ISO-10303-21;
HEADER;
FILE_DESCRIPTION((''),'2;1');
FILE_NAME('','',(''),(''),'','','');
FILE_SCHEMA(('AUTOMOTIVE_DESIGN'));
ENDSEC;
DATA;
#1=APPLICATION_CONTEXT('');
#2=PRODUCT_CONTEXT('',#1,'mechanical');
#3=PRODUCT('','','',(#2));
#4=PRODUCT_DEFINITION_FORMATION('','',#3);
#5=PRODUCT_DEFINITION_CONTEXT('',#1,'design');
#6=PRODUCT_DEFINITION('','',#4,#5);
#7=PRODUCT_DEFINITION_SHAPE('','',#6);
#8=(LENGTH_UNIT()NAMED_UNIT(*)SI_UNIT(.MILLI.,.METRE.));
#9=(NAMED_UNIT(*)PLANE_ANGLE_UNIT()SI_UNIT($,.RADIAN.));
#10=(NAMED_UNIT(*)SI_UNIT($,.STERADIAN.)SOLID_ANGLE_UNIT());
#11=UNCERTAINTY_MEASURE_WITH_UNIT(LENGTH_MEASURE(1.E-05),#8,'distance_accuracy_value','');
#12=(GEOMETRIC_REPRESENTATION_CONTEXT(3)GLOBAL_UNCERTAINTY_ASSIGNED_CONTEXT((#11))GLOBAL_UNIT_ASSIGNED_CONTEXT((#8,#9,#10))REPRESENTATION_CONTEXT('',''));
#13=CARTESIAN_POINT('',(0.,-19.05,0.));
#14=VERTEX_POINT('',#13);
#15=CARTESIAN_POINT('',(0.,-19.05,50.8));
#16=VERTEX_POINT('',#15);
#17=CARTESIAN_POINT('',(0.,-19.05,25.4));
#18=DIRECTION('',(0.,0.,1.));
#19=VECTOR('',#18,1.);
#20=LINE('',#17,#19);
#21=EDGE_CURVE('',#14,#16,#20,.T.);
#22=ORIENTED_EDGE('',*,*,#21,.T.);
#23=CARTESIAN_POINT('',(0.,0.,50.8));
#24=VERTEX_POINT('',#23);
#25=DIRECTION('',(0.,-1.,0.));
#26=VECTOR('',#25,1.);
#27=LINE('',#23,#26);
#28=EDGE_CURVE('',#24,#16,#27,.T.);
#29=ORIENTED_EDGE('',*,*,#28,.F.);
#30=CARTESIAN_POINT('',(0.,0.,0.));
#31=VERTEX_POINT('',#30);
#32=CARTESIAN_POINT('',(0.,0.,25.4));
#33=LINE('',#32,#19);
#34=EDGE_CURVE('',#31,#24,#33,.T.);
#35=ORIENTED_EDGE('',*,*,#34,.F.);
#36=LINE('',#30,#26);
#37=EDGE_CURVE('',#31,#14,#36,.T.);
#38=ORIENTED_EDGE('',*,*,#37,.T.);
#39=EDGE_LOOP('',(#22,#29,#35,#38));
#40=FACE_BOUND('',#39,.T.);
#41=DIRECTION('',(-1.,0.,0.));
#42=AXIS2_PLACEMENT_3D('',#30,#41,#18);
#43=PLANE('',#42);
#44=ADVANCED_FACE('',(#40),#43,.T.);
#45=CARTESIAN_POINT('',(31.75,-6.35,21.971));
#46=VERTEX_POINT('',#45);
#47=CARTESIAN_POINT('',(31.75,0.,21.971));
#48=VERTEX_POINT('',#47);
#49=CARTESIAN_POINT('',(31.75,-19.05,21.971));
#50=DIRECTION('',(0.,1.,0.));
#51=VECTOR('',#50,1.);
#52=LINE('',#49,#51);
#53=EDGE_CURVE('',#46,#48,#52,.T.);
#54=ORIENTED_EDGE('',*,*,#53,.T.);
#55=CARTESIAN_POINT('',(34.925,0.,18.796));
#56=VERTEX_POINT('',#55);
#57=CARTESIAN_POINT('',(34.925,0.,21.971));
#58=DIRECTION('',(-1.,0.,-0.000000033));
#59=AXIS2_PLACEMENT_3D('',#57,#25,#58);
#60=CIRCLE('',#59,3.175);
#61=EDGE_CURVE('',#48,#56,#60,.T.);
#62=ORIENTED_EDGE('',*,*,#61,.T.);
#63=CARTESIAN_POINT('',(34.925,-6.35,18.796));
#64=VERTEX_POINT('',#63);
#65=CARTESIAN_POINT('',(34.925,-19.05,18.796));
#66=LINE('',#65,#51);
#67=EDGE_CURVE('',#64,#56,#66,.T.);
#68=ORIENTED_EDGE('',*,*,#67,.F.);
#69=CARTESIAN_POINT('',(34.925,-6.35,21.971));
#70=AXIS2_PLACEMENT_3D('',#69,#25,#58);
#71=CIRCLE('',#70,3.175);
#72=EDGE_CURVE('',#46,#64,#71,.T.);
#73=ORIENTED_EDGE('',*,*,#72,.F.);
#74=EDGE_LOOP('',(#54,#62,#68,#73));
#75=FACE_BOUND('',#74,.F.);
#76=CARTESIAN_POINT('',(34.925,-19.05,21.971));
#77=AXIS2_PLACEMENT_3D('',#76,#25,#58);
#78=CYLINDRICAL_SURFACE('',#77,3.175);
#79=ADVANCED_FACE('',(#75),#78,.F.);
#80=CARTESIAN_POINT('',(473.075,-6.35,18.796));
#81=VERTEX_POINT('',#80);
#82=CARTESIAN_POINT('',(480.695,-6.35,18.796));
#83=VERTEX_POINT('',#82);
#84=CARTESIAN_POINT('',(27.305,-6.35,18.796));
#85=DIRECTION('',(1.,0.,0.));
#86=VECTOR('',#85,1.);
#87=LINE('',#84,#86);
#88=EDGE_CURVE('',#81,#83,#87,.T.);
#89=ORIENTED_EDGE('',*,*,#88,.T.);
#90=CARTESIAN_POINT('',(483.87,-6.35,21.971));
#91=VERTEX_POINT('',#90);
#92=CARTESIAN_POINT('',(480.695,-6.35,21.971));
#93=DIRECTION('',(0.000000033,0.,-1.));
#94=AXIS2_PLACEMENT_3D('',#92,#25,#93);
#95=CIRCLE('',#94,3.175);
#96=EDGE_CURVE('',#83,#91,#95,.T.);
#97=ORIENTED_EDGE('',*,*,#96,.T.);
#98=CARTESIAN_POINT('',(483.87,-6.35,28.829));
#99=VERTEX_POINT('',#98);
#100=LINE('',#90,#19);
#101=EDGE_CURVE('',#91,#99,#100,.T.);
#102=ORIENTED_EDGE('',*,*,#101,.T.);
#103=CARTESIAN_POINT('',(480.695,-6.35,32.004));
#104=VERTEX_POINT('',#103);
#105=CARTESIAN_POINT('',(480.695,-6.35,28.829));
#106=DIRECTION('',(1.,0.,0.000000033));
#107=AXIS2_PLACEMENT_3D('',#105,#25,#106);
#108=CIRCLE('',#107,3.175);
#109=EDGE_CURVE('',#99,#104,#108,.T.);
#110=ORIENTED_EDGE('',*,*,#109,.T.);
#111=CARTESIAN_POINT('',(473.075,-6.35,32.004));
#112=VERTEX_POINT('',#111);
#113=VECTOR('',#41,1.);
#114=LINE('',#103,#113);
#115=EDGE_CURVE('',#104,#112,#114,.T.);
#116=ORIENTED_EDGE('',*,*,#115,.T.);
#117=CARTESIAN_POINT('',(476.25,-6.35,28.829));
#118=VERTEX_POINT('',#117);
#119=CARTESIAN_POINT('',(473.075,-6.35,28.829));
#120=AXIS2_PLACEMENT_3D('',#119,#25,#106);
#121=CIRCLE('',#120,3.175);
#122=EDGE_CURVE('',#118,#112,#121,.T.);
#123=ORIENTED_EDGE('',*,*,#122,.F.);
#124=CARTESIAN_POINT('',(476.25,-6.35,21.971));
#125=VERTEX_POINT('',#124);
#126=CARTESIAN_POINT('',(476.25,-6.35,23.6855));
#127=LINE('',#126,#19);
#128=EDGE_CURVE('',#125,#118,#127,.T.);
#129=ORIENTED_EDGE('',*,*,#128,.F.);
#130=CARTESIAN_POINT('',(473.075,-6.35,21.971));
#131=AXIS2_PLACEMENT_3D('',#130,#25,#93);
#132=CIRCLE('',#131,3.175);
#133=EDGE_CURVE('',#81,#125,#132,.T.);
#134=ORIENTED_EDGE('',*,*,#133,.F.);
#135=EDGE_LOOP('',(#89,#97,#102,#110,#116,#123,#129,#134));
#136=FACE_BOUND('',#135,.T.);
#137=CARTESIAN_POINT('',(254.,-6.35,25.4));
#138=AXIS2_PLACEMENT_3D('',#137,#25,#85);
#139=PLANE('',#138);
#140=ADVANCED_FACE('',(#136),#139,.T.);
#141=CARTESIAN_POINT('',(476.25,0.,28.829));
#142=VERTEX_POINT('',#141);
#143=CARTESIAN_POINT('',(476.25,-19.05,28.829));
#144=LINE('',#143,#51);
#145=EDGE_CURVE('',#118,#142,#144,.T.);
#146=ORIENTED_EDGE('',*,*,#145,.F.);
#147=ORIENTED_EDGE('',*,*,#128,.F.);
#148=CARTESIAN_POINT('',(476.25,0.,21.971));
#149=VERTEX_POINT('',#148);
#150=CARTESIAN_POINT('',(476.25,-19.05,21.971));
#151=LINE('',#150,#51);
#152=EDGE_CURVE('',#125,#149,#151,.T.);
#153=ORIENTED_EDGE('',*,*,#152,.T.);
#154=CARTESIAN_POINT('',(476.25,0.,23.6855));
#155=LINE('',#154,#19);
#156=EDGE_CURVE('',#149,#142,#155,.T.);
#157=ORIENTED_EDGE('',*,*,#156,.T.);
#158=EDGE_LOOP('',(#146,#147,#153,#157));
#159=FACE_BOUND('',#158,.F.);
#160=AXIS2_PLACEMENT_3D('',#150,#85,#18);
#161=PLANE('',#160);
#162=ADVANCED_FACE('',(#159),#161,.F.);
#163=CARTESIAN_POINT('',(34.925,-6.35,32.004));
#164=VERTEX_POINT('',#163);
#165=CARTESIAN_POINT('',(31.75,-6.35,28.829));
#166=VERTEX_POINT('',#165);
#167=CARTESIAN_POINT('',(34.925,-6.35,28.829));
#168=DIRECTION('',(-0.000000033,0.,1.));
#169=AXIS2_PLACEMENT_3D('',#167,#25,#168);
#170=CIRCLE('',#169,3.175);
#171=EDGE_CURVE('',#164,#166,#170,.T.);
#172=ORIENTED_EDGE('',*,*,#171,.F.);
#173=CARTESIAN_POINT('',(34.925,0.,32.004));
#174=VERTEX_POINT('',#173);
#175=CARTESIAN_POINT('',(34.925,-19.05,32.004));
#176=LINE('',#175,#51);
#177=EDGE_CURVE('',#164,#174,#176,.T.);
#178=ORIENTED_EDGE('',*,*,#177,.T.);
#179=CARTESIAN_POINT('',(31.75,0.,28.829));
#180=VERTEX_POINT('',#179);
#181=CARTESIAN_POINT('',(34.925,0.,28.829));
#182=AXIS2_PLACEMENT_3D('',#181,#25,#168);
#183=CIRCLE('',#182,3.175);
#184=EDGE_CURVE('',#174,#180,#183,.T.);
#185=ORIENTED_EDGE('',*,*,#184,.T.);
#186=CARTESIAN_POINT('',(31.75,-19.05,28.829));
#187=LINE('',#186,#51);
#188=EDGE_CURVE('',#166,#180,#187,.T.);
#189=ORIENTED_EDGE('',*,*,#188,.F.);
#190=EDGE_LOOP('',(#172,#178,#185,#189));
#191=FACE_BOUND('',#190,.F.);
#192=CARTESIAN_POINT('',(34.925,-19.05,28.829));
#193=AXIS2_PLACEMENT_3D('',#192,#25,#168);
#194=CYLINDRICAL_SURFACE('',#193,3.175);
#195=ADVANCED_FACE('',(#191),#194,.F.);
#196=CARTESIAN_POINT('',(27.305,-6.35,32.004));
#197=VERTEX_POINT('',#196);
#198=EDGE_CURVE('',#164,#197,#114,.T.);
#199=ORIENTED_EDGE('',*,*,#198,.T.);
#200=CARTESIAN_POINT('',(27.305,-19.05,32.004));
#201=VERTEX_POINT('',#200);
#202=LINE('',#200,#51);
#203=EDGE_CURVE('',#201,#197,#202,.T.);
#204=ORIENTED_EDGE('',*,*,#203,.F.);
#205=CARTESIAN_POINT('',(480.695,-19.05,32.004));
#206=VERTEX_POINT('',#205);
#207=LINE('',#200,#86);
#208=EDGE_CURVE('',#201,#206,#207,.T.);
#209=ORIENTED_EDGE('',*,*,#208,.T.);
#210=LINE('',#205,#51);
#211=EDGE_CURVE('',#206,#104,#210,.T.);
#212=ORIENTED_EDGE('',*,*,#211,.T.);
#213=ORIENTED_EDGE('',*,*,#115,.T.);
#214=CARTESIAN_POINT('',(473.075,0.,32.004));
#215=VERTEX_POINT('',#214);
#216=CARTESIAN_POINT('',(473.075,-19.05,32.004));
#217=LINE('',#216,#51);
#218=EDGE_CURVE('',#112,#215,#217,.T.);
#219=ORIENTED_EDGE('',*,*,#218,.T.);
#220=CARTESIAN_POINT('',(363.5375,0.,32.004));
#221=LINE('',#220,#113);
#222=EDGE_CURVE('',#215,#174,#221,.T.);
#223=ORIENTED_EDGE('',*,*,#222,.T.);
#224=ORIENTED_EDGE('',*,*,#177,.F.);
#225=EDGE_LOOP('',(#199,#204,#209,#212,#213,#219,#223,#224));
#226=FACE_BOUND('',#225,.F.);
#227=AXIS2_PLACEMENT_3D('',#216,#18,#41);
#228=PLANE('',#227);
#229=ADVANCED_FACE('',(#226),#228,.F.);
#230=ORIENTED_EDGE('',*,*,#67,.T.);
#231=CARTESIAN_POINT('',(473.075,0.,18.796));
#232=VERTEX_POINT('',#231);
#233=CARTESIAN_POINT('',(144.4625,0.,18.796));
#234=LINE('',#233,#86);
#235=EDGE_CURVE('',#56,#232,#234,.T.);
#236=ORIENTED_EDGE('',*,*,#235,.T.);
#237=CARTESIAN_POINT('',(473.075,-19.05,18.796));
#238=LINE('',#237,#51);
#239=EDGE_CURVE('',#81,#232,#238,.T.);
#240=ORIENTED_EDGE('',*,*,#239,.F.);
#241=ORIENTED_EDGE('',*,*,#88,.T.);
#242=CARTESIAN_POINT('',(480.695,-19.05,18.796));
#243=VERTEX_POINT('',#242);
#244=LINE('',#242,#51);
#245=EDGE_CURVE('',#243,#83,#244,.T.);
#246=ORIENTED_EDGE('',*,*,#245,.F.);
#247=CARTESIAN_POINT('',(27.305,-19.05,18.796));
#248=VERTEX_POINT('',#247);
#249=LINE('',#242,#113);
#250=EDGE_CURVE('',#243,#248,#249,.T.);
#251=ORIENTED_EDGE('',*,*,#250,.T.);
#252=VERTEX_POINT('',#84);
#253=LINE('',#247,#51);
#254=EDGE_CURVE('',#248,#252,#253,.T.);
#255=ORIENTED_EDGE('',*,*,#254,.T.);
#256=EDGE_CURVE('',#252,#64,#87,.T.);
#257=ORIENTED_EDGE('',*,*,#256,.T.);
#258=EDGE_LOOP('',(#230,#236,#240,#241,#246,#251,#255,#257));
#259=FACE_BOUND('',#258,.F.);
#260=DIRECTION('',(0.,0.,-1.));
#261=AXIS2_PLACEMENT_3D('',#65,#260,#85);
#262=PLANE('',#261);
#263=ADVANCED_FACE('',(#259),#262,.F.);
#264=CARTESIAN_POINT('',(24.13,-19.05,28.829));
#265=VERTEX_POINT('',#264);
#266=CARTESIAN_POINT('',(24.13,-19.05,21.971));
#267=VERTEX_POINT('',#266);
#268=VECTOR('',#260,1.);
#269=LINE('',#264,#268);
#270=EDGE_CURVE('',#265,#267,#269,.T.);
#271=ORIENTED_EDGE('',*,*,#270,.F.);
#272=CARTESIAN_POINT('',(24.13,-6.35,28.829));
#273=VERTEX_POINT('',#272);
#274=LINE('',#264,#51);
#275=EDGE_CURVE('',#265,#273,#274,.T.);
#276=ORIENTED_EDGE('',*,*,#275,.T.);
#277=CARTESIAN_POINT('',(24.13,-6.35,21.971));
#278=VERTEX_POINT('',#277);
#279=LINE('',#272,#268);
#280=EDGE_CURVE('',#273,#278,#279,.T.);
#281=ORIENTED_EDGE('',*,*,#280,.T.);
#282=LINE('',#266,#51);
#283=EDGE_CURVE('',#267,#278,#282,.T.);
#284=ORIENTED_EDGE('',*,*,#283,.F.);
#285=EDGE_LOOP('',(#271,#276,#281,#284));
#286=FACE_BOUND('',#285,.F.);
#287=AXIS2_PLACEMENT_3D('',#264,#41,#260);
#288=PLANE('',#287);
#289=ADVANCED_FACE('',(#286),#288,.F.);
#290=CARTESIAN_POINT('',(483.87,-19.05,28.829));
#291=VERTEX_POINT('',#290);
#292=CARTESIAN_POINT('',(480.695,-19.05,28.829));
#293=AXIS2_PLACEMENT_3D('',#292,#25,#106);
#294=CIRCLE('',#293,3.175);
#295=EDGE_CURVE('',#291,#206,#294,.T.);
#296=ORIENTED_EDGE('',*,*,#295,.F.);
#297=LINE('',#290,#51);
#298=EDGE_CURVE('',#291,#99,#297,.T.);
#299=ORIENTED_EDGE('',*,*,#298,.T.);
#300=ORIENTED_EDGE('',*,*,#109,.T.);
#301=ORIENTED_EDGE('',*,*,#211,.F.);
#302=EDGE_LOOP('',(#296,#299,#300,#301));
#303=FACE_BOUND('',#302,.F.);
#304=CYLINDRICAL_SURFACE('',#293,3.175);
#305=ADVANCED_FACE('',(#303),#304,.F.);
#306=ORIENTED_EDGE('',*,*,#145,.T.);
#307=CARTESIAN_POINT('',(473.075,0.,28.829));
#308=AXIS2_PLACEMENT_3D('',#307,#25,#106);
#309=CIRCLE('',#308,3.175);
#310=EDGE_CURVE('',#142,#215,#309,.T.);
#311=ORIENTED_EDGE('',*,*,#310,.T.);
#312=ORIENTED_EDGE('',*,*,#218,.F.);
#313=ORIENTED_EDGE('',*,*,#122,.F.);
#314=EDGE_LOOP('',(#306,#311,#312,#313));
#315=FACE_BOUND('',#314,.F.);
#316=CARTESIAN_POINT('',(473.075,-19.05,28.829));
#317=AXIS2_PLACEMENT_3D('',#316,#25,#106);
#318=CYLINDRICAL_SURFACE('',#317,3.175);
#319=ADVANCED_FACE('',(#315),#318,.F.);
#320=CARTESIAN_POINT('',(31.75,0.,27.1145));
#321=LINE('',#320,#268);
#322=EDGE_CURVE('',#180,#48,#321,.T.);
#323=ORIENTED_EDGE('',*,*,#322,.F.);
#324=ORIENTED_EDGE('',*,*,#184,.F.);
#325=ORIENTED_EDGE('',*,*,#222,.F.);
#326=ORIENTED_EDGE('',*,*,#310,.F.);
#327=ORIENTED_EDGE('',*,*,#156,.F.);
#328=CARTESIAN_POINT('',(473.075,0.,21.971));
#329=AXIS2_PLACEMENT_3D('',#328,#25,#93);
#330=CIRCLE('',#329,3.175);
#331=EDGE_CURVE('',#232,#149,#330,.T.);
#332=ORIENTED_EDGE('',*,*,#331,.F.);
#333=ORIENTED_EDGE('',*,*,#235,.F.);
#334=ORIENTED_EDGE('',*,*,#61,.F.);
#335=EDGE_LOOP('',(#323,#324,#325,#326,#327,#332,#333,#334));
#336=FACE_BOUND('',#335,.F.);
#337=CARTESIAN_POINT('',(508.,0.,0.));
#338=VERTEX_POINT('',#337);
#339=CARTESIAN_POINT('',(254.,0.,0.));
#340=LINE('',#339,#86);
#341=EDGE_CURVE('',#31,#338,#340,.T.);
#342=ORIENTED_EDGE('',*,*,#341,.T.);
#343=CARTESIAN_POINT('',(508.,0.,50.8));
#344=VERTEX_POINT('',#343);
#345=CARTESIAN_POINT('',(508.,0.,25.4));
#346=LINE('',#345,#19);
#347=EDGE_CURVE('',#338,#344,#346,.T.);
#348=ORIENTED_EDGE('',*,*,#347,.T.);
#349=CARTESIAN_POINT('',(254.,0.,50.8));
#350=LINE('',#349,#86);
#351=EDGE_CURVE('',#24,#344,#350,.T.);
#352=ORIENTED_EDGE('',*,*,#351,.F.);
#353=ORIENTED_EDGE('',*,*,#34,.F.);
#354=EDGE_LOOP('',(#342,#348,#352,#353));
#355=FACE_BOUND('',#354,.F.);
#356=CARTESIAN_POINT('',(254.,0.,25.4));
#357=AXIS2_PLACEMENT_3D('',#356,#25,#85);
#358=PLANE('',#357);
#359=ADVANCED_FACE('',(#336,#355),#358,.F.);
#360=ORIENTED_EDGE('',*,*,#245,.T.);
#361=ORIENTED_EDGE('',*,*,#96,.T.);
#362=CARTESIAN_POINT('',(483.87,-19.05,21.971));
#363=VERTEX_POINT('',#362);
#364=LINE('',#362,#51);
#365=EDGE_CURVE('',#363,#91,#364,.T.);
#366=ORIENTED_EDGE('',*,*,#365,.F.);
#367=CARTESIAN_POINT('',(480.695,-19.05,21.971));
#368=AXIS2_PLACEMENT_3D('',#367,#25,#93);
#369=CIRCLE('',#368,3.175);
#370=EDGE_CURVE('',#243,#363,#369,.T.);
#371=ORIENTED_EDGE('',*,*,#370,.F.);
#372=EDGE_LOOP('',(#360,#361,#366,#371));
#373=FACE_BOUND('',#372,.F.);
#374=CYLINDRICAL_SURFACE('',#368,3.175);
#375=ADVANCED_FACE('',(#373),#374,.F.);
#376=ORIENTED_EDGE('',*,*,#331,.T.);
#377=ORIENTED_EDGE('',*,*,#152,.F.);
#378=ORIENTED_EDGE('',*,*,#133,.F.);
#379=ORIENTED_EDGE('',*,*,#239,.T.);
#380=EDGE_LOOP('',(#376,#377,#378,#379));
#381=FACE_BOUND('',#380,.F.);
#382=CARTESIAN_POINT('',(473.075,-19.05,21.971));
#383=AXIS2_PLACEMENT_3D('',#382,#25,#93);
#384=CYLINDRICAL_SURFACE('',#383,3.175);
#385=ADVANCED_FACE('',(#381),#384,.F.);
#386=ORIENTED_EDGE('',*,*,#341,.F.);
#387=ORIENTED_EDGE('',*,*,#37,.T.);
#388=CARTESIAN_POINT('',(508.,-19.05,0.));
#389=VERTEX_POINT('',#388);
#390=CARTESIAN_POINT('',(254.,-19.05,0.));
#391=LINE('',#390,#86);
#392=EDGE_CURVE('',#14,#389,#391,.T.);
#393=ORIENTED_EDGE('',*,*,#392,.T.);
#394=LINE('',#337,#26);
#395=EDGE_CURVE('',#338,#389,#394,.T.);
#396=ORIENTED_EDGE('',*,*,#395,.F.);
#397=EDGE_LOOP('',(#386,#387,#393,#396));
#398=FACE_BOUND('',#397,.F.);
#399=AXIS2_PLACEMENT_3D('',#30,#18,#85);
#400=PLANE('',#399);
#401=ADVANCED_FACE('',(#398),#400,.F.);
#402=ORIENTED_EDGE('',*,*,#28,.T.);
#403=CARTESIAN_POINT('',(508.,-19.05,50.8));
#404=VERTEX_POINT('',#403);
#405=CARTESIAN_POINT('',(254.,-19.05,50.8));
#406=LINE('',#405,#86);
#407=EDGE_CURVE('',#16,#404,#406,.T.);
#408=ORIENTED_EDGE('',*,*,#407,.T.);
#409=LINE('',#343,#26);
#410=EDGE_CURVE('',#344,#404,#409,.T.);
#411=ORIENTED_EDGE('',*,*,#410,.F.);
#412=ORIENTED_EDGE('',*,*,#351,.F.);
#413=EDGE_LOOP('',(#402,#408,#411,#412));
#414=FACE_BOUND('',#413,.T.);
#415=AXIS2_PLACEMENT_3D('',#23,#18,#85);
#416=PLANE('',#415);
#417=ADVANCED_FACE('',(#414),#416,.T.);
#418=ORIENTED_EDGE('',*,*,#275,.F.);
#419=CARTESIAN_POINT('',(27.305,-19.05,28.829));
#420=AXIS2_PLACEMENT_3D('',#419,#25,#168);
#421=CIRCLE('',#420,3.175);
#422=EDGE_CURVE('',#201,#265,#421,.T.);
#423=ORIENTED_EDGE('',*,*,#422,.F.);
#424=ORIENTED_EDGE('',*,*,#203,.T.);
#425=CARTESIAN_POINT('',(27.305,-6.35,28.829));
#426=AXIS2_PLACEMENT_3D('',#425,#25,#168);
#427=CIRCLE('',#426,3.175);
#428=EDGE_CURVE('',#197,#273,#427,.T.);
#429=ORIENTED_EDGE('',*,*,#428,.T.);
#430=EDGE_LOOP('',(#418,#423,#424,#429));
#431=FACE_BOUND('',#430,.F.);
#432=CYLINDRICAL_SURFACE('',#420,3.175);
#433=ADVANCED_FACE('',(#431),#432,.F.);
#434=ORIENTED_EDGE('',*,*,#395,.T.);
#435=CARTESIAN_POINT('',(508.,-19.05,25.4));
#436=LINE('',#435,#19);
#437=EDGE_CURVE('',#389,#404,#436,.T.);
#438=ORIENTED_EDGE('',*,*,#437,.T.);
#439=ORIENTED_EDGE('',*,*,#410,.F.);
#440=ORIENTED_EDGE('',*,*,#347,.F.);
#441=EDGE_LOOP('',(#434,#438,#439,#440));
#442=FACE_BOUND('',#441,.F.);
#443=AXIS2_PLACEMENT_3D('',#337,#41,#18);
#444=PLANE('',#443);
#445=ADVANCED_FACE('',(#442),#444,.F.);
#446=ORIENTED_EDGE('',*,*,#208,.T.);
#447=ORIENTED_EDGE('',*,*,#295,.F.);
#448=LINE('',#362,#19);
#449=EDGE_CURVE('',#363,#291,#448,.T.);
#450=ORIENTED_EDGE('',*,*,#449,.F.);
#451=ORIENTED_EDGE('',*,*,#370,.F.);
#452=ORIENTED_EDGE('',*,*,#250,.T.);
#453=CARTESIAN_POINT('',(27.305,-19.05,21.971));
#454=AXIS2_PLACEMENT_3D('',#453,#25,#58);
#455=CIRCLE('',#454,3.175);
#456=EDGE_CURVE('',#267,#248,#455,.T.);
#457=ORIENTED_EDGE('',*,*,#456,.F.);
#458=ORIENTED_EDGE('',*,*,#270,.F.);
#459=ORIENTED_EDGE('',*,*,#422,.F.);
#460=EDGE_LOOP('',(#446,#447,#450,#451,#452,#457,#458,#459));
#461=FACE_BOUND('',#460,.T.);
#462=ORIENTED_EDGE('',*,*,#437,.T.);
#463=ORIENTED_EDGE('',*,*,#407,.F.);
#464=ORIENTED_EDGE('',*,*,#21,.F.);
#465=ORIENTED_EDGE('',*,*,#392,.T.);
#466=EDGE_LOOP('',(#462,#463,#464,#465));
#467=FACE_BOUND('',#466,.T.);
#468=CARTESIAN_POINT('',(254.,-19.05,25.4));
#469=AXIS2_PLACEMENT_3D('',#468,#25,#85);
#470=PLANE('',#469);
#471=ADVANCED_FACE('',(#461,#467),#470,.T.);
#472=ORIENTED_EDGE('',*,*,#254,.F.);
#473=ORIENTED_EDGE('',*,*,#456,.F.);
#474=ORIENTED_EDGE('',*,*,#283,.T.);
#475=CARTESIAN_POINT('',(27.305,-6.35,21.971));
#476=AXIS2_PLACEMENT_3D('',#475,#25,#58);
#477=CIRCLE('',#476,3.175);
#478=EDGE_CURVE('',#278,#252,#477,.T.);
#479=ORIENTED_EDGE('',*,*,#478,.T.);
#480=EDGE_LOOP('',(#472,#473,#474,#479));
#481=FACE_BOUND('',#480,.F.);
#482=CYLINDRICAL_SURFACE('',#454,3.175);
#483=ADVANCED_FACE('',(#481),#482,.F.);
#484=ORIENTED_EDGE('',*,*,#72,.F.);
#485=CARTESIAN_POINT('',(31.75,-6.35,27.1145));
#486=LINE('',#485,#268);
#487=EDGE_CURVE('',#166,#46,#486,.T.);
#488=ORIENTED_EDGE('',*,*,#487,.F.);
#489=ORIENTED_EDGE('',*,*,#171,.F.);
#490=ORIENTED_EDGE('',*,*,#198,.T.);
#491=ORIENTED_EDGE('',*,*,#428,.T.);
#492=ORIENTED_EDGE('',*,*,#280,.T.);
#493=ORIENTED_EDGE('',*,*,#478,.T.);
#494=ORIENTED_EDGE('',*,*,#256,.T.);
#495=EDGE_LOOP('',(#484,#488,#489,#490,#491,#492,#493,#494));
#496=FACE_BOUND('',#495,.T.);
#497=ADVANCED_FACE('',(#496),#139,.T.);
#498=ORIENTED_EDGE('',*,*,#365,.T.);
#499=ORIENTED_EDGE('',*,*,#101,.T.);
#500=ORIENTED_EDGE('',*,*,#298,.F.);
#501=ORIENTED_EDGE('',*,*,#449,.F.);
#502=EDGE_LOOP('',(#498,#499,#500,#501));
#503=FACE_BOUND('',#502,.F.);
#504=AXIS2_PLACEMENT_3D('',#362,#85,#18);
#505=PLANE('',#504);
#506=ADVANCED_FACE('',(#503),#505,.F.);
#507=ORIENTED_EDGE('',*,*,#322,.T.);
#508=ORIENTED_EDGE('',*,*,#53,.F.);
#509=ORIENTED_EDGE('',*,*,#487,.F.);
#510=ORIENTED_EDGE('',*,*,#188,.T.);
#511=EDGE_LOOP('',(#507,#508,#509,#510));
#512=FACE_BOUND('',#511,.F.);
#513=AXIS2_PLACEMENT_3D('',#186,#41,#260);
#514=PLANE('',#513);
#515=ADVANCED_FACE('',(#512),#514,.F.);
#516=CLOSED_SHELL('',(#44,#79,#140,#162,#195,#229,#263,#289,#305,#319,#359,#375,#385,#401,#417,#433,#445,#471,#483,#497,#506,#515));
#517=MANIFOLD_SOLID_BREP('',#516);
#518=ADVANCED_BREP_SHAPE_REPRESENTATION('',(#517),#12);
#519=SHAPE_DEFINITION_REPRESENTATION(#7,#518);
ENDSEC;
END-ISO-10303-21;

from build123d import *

# Parameters (mm, degrees)
F0_W     = 508
F0_H     = 50.8
F1_DEPTH = 19.05
F3_DEPTH = 12.7
F5_DEPTH = 25.4


with BuildPart() as f1:
    # F0 (on Front) → F1 (new body)
    with BuildSketch(Plane.XZ):
        with Locations((254, 25.4)):
            Rectangle(F0_W, F0_H)
    extrude(amount=F1_DEPTH)

    # F2 (on face) → F3 (cut)
    with BuildSketch(Plane.XZ.offset(19.05)):
        with BuildLine():
            Line((480.695, 32.004), (27.305, 32.004))
            ThreePointArc((27.305, 32.004), (25.059936, 31.074064), (24.13, 28.829))
            Line((24.13, 28.829), (24.13, 21.971))
            ThreePointArc((24.13, 21.971), (25.059936, 19.725936), (27.305, 18.796))
            Line((27.305, 18.796), (480.695, 18.796))
            ThreePointArc((480.695, 18.796), (482.940064, 19.725936), (483.87, 21.971))
            Line((483.87, 21.971), (483.87, 28.829))
            ThreePointArc((483.87, 28.829), (482.940064, 31.074064), (480.695, 32.004))
        make_face()
    extrude(amount=-F3_DEPTH, mode=Mode.SUBTRACT)

    # F4 (on face) → F5 (cut)
    with BuildSketch(Plane.XZ.offset(19.05)):
        with BuildLine():
            Line((473.075, 32.004), (34.925, 32.004))
            ThreePointArc((34.925, 32.004), (32.679936, 31.074064), (31.75, 28.829))
            Line((31.75, 28.829), (31.75, 21.971))
            ThreePointArc((31.75, 21.971), (32.679936, 19.725936), (34.925, 18.796))
            Line((34.925, 18.796), (473.075, 18.796))
            ThreePointArc((473.075, 18.796), (475.320064, 19.725936), (476.25, 21.971))
            Line((476.25, 21.971), (476.25, 28.829))
            ThreePointArc((476.25, 28.829), (475.320064, 31.074064), (473.075, 32.004))
        make_face()
    extrude(amount=-F5_DEPTH, mode=Mode.SUBTRACT)


solid = f1.part
